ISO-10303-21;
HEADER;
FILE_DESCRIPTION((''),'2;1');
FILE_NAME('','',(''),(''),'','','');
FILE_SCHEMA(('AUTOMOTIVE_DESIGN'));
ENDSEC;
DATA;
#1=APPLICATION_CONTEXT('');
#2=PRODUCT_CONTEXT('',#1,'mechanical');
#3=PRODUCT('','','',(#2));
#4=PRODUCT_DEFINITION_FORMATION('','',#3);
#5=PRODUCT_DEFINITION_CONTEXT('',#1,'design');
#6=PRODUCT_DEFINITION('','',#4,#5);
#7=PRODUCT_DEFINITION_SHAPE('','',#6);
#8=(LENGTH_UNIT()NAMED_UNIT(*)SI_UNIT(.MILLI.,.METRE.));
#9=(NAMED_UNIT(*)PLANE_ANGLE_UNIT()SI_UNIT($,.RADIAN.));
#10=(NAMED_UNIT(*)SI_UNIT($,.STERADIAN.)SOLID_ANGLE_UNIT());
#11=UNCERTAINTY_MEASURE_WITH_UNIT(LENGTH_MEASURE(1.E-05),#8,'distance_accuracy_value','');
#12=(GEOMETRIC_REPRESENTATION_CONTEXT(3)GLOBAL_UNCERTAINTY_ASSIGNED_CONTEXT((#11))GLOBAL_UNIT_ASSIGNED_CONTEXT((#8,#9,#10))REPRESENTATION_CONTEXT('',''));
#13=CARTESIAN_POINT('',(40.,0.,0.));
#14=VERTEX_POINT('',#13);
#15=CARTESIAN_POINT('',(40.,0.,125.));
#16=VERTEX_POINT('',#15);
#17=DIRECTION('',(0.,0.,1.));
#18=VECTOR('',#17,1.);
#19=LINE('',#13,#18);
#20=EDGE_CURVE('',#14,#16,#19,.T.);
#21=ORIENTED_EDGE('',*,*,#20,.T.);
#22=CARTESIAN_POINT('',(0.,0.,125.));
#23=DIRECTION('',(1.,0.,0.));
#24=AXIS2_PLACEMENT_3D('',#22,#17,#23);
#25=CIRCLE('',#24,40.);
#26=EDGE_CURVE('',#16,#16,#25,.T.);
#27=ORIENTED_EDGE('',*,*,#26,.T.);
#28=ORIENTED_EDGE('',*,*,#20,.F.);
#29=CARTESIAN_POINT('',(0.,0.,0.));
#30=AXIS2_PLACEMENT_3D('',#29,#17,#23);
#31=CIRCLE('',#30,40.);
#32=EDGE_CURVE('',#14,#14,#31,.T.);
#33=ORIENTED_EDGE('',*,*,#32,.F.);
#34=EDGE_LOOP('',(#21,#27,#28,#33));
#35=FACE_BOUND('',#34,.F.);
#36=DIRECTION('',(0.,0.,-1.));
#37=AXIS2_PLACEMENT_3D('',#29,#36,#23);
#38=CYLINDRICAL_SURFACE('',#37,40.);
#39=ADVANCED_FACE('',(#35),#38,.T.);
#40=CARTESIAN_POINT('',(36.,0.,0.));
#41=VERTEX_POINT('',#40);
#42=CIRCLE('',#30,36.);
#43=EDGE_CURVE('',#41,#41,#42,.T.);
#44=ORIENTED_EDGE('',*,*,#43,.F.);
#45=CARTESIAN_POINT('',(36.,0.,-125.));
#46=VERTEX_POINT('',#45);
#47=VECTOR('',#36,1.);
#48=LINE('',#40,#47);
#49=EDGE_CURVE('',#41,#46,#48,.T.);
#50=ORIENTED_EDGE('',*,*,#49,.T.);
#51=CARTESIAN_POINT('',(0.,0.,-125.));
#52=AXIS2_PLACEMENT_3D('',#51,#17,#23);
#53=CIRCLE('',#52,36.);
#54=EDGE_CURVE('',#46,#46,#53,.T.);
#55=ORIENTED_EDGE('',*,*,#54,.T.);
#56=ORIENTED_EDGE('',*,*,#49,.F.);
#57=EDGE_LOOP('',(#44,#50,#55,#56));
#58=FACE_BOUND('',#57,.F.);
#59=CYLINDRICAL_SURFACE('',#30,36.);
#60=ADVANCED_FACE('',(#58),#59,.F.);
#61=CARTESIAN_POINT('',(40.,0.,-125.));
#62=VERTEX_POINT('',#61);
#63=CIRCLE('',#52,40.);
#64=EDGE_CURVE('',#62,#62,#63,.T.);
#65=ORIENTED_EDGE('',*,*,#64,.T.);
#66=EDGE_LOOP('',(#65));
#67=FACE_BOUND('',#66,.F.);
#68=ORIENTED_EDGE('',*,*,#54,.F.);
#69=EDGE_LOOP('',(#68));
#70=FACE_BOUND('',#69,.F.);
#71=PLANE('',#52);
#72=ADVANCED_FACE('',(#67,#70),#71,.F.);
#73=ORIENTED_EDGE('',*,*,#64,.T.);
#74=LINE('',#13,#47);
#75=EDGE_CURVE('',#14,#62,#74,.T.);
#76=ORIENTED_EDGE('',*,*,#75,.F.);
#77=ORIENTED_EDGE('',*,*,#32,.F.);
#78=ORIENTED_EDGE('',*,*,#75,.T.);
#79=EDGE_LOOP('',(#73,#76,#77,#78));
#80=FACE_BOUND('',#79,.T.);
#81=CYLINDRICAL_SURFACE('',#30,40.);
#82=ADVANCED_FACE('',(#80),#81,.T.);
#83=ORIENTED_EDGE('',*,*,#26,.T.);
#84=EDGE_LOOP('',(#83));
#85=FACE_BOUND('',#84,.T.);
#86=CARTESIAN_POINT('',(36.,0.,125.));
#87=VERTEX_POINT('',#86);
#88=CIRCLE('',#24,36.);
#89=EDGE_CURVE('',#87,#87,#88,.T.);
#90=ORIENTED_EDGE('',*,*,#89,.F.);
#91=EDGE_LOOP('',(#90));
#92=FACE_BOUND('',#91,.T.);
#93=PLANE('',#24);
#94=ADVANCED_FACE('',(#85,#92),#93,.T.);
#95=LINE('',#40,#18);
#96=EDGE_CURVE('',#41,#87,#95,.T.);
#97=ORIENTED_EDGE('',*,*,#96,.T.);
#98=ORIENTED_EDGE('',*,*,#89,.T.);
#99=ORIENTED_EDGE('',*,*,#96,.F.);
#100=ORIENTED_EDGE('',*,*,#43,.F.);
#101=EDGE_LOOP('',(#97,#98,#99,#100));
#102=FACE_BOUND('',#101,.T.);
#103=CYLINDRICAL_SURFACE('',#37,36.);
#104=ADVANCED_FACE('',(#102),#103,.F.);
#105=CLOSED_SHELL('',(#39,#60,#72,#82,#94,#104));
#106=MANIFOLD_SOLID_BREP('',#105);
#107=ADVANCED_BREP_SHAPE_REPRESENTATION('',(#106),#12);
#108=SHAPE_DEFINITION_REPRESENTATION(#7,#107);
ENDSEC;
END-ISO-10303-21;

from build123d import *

# Parameters (mm, degrees)
F0_R          = 40
F0_R_2        = 36
F1_DEPTH      = 125
F1_DEPTH_BACK = 125


with BuildPart() as f1:
    # F0 (on Top) → F1 (new body, two sides)
    with BuildSketch(Plane.XY) as f1_sk:
        Circle(F0_R)
        Circle(F0_R_2, mode=Mode.SUBTRACT)
    extrude(amount=-F1_DEPTH)
    extrude(f1_sk.sketch, amount=F1_DEPTH_BACK)


solid = f1.part
